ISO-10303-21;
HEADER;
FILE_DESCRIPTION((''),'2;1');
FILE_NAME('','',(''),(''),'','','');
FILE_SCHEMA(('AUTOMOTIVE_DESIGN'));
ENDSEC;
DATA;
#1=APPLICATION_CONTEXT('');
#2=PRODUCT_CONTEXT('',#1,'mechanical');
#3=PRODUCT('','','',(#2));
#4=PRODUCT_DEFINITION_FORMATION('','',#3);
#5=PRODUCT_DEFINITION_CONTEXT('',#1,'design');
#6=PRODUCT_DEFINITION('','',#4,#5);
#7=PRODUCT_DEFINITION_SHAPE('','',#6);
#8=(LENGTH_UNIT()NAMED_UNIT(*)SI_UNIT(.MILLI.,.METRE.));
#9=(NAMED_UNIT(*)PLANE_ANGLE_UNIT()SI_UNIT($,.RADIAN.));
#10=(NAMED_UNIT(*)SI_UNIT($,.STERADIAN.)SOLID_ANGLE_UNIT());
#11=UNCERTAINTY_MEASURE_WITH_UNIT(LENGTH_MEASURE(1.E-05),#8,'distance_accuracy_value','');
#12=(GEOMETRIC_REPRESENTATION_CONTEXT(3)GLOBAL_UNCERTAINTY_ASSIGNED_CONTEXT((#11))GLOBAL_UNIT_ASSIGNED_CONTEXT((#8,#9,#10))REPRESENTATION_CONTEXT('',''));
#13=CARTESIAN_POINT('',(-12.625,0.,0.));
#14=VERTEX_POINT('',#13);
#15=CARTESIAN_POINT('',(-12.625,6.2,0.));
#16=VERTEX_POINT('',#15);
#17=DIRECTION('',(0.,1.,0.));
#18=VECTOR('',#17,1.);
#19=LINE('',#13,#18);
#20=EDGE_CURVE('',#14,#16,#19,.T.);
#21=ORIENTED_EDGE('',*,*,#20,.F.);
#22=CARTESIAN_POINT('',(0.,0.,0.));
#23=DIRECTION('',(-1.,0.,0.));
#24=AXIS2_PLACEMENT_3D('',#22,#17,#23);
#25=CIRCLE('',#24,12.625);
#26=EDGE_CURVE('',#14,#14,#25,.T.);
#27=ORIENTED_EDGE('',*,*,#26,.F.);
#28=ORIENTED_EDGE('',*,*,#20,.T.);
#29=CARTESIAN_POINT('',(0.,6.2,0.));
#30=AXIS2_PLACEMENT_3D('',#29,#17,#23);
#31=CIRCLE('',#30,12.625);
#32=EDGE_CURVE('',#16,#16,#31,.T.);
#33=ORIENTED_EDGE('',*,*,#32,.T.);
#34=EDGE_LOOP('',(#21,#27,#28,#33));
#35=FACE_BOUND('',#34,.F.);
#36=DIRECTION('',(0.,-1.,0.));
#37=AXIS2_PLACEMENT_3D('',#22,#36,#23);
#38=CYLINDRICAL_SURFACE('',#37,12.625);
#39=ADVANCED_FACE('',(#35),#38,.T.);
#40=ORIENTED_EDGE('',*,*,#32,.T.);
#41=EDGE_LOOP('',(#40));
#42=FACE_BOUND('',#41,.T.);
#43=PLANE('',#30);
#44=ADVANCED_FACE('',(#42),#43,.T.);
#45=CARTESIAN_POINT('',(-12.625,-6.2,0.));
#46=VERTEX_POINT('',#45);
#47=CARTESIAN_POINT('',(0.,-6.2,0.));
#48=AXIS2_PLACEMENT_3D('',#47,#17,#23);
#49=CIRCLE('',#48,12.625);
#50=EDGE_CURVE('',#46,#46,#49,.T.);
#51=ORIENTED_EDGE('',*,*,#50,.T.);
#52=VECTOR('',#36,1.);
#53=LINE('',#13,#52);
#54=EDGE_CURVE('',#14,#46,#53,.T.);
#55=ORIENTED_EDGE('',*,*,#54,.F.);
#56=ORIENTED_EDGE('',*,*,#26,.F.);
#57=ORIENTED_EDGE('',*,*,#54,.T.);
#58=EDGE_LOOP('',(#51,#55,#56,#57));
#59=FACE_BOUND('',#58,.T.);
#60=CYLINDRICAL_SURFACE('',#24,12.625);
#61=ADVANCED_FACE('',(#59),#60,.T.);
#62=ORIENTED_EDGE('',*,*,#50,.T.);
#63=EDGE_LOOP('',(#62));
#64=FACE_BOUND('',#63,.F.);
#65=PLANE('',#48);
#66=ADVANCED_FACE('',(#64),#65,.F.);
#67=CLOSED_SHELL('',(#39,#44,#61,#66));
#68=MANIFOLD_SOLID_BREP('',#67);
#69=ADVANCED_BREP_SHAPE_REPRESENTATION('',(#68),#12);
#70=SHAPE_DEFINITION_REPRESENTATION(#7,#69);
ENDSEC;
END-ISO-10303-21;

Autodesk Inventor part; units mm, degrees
ref_plane "YZ Plane" through (0, 0, 0) normal (1, 0, 0) x (0, 1, 0)
ref_plane "XZ Plane" through (0, 0, 0) normal (0, 1, 0) x (-1, 0, 0)
ref_plane "XY Plane" through (0, 0, 0) normal (0, 0, 1) x (1, 0, 0)
sketch "Sketch1" plane through (0, 0, 0) normal (0, 1, 0) x (-1, 0, 0)
  circle A0 centre (0, 0) radius 12.625
  dimension "d0" = 25.25
extrude "Extrusion1" add sketch "Sketch1" along normal mid plane 12.4
equation "\"d0\" = TitansDiameter"
equation "\"TitansDiameter\" = 25.25"
properties part number "FactionSpecial_Titans_Disks_All" material "Paper"
